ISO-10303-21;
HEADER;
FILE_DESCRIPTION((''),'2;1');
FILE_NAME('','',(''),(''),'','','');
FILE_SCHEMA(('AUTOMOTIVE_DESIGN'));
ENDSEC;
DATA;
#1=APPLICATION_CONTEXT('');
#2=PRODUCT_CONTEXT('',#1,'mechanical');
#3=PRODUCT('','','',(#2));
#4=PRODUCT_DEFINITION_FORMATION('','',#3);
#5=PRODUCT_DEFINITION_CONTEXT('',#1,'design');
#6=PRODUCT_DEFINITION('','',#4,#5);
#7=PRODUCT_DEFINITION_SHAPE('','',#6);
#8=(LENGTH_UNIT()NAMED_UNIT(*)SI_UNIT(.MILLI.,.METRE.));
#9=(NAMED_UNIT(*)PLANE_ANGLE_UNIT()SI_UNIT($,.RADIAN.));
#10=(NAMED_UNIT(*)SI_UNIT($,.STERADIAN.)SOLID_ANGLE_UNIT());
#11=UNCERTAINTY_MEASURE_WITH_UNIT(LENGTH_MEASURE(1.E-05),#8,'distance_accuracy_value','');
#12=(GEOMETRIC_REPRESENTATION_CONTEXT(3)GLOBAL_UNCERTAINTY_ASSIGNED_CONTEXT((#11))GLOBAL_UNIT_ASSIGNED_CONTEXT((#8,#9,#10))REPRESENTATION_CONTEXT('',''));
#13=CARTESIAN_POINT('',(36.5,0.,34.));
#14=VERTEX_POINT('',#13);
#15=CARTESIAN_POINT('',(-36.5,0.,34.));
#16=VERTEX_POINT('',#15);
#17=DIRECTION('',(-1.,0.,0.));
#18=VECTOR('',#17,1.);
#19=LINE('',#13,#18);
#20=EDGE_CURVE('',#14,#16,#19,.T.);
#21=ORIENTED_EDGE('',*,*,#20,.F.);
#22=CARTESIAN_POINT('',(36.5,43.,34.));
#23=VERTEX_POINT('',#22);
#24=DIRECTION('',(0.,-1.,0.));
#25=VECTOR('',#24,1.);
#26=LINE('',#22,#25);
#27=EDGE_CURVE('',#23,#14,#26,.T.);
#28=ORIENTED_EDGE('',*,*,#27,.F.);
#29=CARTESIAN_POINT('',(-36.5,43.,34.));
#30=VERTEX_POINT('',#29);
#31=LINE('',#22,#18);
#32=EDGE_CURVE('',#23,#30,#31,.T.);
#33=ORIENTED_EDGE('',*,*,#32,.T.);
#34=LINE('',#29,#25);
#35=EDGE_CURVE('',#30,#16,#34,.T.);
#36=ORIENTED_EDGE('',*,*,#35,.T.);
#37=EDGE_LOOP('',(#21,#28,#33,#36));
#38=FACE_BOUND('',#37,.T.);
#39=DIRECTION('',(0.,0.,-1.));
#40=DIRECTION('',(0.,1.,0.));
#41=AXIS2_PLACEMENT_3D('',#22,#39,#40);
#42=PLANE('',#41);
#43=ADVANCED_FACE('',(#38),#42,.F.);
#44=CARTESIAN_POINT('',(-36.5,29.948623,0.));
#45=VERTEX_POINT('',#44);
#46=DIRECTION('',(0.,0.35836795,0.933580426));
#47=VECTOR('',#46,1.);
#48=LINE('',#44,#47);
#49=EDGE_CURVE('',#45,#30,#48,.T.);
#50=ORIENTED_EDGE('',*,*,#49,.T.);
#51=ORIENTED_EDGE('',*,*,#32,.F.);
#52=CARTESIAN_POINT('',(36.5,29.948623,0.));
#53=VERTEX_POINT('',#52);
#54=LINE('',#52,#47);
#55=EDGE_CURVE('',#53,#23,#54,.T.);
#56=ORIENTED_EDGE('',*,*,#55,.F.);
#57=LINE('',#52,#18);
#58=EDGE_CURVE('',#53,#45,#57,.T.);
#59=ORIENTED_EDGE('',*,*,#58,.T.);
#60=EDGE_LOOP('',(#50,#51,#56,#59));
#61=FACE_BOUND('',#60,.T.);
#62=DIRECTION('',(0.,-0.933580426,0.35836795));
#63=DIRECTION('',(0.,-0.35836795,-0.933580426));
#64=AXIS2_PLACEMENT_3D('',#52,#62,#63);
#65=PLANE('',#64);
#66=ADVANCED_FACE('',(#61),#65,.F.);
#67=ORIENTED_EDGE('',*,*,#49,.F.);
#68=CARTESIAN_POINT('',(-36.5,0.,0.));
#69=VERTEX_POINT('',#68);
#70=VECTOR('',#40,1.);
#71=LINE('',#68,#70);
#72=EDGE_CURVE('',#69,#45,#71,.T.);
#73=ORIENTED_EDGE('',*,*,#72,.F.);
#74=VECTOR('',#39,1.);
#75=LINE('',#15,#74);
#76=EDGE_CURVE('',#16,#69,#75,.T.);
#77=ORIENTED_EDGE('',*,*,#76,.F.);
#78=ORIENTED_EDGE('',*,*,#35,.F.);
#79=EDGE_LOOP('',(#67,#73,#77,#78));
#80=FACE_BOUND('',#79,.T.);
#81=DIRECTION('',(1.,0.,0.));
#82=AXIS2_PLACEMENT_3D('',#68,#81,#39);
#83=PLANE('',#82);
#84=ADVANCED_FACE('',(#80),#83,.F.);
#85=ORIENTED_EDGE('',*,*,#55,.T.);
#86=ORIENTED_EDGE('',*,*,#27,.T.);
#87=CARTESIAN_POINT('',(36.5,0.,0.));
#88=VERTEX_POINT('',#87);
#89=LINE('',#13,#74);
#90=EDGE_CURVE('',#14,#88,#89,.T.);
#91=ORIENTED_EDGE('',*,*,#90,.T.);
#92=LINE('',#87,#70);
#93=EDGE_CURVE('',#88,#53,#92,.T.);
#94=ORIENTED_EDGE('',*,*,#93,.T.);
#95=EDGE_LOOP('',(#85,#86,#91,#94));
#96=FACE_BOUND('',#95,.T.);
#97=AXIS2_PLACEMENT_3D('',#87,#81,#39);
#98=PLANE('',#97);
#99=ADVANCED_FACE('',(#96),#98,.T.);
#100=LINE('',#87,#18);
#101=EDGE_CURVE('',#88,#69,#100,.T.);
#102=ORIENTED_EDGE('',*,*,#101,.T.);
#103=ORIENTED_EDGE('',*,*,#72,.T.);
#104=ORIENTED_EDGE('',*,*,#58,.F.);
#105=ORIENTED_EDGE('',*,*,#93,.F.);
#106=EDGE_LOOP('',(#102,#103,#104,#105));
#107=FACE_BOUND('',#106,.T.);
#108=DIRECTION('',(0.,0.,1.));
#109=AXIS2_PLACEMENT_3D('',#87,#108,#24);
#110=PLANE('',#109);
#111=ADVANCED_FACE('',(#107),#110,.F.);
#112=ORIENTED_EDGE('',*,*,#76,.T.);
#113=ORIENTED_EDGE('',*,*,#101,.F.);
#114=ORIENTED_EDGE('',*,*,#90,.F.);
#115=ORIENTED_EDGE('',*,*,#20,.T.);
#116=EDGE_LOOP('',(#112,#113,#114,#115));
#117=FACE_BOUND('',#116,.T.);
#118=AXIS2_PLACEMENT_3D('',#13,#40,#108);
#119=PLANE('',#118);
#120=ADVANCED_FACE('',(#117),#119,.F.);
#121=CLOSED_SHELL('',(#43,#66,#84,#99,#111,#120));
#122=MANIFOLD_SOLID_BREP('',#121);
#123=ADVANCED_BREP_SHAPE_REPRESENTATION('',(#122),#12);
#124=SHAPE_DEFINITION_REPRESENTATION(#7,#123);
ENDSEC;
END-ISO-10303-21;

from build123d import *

# Parameters (mm, degrees)
BOSS_EXTRUDE1_DEPTH = 36.5


with BuildPart() as part:
    # Sketch1 → Boss-Extrude1 (new, symmetric)
    with BuildSketch(Plane(origin=(0, 0, 0), x_dir=(0, 0, -1), z_dir=(1, 0, 0))):
        Polygon((0, 0), (0, 29.948622809), (-34, 43), (-34, 0), align=None)
    extrude(amount=BOSS_EXTRUDE1_DEPTH, both=True)


solid = part.part
